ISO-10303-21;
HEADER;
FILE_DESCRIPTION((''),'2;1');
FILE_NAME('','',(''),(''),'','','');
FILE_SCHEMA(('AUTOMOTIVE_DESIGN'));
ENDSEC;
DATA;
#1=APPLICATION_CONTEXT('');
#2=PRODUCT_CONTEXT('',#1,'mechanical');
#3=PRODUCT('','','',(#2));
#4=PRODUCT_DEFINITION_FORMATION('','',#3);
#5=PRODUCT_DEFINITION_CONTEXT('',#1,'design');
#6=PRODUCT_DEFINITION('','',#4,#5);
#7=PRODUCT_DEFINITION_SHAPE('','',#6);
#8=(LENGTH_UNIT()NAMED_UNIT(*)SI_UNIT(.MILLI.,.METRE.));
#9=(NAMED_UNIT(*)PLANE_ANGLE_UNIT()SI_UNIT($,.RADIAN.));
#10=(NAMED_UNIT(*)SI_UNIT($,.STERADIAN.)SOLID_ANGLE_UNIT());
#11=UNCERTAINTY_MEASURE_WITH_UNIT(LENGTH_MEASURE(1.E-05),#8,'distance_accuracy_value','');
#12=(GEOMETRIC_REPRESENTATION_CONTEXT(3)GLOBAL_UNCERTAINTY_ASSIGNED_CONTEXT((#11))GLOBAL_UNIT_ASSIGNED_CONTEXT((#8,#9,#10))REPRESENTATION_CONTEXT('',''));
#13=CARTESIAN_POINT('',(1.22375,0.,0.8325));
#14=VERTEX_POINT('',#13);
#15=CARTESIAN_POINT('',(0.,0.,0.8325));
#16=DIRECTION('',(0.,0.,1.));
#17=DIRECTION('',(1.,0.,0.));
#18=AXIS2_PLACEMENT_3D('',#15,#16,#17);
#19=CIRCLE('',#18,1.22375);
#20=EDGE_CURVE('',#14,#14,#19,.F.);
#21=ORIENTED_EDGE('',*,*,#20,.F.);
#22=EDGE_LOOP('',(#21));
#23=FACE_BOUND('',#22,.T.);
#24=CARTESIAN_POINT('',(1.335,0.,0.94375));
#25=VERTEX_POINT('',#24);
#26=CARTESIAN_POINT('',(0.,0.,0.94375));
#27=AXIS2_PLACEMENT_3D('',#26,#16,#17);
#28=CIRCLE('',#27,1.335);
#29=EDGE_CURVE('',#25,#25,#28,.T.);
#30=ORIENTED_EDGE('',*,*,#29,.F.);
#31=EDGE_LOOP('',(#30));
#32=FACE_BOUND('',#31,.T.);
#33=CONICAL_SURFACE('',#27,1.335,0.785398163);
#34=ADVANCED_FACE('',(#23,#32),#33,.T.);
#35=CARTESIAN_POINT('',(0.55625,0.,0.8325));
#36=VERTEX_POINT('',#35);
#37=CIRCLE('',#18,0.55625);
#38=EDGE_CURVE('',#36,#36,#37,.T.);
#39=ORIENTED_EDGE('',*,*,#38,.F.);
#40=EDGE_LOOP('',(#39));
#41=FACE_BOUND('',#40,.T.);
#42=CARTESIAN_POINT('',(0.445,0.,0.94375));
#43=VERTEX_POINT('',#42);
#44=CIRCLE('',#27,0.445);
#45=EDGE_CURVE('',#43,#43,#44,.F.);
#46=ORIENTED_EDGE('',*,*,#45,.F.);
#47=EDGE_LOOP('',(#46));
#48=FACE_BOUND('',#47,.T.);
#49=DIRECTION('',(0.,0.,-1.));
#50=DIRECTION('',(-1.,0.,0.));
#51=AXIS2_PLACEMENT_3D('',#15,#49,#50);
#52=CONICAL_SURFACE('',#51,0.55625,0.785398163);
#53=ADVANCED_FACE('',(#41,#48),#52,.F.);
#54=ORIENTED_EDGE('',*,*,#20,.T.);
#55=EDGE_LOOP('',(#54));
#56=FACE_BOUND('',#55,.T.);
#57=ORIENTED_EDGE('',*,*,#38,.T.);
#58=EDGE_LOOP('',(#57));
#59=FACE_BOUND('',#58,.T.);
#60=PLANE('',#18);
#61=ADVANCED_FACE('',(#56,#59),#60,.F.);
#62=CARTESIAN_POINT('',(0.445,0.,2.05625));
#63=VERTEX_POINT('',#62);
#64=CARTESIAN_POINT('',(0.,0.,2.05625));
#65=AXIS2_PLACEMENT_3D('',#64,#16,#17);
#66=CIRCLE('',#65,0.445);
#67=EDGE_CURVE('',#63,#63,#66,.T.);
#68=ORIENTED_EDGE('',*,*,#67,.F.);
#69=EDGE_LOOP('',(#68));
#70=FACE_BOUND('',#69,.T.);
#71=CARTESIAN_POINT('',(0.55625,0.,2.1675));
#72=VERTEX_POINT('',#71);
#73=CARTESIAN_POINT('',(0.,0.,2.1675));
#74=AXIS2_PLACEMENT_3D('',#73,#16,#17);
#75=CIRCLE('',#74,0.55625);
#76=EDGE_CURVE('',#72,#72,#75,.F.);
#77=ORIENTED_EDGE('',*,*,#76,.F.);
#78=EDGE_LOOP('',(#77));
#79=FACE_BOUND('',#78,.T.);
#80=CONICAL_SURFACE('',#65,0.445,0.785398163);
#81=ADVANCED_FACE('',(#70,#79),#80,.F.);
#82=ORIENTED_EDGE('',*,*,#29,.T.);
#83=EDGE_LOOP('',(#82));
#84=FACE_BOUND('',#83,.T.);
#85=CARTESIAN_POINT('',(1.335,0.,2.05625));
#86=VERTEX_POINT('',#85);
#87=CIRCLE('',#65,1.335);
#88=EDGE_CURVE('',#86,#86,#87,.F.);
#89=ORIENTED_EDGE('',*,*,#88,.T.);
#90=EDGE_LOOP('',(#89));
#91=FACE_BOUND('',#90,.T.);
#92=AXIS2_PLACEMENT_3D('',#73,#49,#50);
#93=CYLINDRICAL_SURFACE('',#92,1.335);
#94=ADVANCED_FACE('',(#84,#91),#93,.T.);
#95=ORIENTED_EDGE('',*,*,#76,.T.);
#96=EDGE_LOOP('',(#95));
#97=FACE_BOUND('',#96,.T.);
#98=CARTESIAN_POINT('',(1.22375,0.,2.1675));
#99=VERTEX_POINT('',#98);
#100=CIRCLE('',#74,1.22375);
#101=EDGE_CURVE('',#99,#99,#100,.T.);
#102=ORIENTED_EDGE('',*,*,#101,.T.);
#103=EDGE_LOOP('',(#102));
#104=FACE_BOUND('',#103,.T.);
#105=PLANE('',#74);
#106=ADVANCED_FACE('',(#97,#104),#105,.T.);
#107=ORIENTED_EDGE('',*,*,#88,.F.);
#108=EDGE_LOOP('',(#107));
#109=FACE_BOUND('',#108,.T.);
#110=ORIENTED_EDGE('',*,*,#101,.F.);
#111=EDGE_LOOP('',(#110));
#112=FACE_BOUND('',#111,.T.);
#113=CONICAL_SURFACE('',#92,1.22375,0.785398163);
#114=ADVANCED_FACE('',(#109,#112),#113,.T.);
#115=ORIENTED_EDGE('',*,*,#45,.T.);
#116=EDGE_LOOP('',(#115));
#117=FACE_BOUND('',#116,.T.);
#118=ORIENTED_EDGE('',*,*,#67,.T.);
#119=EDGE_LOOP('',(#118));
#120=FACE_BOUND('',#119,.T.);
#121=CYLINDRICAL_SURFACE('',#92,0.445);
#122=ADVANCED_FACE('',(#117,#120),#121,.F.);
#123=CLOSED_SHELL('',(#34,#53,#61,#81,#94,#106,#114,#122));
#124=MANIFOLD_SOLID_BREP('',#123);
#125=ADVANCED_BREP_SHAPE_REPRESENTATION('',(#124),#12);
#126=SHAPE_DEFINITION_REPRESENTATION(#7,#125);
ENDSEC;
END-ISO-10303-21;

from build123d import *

# Parameters (mm, degrees)
SKETCH1_R           = 3
SKETCH1_R_2         = 1
EXTRUDE_THIN1_DEPTH = 3
CHAMFER1_SIZE       = 0.25
SCALE1_SCALE        = 0.445


with BuildPart() as part:
    # Sketch1 → Extrude-Thin1 (new body)
    with BuildSketch(Plane.XY):
        Circle(SKETCH1_R)
        Circle(SKETCH1_R_2, mode=Mode.SUBTRACT)
    extrude(amount=EXTRUDE_THIN1_DEPTH)

    # Chamfer1
    chamfer1_edges = [part.edges().sort_by_distance(p)[0] for p in [
        (-3, 0, 0),
        (-3, 0, 3),
        (-1, 0, 0),
        (-1, 0, 3),
    ]]
    chamfer(chamfer1_edges, length=CHAMFER1_SIZE)


with BuildPart() as part_1:
    # Scale1: scaled about (0, 0, 1.5)
    add(part.part.scale(SCALE1_SCALE).moved(Location((0, 0, 0.8325))))


solid = part_1.part
